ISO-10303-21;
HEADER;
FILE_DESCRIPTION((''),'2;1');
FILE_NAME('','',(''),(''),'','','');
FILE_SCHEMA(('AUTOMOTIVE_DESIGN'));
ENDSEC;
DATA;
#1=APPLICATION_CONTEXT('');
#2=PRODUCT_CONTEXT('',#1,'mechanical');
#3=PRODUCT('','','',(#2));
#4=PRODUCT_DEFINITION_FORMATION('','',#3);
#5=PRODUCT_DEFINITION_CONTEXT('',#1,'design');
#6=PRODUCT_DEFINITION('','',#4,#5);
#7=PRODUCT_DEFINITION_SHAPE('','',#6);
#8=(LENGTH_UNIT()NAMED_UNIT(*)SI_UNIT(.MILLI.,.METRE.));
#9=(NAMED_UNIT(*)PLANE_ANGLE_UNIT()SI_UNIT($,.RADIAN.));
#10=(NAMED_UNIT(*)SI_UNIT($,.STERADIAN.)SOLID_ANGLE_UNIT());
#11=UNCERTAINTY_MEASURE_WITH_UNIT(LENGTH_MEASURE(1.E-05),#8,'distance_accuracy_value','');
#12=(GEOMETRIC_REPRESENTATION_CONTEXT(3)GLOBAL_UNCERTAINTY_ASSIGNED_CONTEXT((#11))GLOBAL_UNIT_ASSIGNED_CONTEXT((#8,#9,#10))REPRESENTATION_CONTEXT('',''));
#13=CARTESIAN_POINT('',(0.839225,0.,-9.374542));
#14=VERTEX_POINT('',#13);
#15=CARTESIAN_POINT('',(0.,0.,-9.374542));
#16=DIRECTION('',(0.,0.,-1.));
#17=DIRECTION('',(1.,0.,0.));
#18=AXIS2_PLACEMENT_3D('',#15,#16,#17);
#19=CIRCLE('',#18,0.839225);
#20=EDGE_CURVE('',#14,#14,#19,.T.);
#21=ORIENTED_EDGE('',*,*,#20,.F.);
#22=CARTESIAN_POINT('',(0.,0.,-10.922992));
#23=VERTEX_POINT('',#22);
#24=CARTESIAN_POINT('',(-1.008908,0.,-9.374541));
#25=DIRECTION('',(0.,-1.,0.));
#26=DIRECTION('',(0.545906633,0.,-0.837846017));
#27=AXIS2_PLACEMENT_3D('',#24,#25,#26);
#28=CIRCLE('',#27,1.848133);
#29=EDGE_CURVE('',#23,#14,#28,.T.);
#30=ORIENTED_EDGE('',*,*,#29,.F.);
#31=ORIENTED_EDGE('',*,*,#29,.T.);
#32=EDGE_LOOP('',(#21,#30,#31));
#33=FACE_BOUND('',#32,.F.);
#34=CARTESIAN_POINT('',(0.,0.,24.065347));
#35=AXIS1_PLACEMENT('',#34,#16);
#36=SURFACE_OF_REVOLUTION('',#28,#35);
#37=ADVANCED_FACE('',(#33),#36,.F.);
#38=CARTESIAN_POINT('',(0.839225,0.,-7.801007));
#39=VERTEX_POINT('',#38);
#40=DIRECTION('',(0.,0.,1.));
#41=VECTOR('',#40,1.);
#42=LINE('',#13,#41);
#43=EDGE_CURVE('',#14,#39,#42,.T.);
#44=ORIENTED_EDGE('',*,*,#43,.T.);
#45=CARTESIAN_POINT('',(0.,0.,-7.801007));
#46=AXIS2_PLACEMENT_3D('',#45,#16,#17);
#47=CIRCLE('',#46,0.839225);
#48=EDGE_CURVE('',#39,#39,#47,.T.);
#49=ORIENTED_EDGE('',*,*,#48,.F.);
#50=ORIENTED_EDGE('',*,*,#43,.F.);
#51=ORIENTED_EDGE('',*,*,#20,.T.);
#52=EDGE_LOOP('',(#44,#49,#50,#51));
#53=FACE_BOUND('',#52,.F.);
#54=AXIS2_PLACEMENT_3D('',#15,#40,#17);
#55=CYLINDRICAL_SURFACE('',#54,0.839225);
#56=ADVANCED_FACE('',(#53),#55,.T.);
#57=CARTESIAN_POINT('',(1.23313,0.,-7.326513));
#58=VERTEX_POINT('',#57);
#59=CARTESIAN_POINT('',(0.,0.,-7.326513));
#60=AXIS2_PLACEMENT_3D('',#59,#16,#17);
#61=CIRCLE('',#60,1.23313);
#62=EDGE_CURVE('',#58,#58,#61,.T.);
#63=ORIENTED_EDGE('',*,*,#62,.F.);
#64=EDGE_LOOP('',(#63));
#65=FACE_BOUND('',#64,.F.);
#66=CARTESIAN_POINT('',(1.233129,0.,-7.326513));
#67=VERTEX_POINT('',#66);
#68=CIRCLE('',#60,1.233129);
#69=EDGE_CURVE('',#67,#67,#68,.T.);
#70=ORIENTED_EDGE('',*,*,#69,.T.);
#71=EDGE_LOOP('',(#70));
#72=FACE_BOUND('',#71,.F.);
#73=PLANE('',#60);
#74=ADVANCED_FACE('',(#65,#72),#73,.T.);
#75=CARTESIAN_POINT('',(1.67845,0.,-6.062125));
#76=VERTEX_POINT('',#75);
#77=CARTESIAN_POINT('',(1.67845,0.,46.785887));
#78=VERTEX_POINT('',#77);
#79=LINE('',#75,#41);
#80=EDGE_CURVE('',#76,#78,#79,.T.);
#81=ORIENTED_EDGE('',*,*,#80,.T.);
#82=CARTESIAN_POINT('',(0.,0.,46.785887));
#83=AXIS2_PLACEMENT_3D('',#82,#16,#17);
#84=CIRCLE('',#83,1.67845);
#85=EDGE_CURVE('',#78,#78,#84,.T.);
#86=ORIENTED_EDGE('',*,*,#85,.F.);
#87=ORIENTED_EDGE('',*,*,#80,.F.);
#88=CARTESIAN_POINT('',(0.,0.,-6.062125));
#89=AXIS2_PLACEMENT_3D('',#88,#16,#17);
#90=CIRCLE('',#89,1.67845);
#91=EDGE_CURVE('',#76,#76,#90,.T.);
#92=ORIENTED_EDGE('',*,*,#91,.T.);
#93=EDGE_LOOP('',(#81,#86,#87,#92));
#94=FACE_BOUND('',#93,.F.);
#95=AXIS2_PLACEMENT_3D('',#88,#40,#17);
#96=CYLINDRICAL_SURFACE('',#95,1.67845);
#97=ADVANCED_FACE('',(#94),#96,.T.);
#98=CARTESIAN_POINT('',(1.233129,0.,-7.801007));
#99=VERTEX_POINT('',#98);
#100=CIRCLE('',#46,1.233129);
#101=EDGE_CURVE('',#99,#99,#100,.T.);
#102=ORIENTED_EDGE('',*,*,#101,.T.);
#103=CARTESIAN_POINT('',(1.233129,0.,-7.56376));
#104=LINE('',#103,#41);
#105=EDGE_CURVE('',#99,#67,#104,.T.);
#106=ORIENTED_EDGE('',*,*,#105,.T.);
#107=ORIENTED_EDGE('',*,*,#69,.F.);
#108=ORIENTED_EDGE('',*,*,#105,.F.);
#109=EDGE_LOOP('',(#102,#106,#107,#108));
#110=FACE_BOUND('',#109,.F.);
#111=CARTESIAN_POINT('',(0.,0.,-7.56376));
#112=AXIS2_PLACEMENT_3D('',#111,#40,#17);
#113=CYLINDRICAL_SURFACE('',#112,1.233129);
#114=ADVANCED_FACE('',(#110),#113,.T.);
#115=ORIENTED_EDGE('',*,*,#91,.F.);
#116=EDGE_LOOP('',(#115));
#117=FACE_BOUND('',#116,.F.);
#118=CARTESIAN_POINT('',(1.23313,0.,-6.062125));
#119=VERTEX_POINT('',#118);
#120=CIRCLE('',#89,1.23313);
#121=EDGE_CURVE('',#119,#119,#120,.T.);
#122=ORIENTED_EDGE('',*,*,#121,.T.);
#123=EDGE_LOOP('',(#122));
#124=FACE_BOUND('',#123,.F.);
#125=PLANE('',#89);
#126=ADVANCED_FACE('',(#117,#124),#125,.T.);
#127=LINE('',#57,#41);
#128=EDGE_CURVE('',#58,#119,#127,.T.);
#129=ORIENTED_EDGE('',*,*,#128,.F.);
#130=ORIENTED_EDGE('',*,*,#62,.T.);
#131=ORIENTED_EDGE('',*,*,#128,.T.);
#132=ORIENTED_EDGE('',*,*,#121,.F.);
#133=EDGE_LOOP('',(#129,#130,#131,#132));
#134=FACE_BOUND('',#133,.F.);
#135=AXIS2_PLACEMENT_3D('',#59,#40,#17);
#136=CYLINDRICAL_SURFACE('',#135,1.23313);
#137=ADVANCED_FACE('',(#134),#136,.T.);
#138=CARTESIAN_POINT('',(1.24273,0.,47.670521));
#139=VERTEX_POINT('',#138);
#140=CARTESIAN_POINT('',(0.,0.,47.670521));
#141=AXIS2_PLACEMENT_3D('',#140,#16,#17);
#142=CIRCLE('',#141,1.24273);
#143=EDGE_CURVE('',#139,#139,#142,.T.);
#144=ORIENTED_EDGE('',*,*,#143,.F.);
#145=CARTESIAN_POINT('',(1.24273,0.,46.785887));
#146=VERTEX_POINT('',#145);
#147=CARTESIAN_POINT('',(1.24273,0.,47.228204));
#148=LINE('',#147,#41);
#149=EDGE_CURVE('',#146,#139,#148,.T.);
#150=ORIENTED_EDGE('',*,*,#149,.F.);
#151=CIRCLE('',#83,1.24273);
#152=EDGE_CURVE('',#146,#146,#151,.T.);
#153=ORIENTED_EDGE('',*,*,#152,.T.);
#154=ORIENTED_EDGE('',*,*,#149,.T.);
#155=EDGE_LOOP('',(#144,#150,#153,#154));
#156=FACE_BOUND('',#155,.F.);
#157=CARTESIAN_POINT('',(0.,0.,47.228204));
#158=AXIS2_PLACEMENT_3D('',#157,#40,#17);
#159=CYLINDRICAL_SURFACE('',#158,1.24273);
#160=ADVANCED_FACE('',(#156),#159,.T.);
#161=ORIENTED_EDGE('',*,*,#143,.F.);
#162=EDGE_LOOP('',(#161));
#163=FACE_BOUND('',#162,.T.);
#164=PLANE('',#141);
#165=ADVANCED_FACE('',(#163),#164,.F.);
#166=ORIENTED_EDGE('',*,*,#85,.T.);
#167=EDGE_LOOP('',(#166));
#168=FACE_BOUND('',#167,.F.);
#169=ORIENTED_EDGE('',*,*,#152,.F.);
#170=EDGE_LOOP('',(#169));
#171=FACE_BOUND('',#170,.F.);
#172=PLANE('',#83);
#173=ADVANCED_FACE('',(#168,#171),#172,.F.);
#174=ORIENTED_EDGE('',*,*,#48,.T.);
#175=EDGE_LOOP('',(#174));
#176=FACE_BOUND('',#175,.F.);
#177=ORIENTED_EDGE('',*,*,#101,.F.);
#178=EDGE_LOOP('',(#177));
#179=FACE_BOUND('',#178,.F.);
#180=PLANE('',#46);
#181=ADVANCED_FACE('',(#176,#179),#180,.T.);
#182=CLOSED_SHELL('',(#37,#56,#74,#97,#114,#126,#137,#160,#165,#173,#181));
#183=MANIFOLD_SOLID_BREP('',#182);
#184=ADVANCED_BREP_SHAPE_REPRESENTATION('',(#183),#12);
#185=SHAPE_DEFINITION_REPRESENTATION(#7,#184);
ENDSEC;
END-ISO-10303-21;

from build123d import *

# Parameters (mm, degrees)
F0_W   = 1.24273
F0_H   = 0.884634
F0_W_2 = 0.393905
F0_H_2 = 0.474494


with BuildPart() as f1:
    # F0 (on Front) → F1 (revolve)
    with BuildSketch(Plane.XZ):
        Polygon((0, 46.785887), (0, 1.344806), (0, -7.326513), (0.839225, -7.326513), (1.23313, -7.326513), (1.23313, -6.062125), (1.67845, -6.062125), (1.67845, 46.785887), (1.24273, 46.785887), align=None)
        with BuildLine():
            Line((0.839225, -7.326513), (0, -7.326513))
            Line((0, -7.326513), (0, -10.922992))
            ThreePointArc((0, -10.922992), (0.615929, -10.255166), (0.839225, -9.374542))
            Line((0.839225, -9.374542), (0.839225, -7.801007))
            Line((0.839225, -7.801007), (0.839225, -7.326513))
        make_face()
        with Locations((0.621365, 47.228204)):
            Rectangle(F0_W, F0_H)
        with Locations((1.036177, -7.56376)):
            Rectangle(F0_W_2, F0_H_2)
    revolve(axis=Axis((0, 0, 24.065347), (0, 0, -1)))


solid = f1.part
